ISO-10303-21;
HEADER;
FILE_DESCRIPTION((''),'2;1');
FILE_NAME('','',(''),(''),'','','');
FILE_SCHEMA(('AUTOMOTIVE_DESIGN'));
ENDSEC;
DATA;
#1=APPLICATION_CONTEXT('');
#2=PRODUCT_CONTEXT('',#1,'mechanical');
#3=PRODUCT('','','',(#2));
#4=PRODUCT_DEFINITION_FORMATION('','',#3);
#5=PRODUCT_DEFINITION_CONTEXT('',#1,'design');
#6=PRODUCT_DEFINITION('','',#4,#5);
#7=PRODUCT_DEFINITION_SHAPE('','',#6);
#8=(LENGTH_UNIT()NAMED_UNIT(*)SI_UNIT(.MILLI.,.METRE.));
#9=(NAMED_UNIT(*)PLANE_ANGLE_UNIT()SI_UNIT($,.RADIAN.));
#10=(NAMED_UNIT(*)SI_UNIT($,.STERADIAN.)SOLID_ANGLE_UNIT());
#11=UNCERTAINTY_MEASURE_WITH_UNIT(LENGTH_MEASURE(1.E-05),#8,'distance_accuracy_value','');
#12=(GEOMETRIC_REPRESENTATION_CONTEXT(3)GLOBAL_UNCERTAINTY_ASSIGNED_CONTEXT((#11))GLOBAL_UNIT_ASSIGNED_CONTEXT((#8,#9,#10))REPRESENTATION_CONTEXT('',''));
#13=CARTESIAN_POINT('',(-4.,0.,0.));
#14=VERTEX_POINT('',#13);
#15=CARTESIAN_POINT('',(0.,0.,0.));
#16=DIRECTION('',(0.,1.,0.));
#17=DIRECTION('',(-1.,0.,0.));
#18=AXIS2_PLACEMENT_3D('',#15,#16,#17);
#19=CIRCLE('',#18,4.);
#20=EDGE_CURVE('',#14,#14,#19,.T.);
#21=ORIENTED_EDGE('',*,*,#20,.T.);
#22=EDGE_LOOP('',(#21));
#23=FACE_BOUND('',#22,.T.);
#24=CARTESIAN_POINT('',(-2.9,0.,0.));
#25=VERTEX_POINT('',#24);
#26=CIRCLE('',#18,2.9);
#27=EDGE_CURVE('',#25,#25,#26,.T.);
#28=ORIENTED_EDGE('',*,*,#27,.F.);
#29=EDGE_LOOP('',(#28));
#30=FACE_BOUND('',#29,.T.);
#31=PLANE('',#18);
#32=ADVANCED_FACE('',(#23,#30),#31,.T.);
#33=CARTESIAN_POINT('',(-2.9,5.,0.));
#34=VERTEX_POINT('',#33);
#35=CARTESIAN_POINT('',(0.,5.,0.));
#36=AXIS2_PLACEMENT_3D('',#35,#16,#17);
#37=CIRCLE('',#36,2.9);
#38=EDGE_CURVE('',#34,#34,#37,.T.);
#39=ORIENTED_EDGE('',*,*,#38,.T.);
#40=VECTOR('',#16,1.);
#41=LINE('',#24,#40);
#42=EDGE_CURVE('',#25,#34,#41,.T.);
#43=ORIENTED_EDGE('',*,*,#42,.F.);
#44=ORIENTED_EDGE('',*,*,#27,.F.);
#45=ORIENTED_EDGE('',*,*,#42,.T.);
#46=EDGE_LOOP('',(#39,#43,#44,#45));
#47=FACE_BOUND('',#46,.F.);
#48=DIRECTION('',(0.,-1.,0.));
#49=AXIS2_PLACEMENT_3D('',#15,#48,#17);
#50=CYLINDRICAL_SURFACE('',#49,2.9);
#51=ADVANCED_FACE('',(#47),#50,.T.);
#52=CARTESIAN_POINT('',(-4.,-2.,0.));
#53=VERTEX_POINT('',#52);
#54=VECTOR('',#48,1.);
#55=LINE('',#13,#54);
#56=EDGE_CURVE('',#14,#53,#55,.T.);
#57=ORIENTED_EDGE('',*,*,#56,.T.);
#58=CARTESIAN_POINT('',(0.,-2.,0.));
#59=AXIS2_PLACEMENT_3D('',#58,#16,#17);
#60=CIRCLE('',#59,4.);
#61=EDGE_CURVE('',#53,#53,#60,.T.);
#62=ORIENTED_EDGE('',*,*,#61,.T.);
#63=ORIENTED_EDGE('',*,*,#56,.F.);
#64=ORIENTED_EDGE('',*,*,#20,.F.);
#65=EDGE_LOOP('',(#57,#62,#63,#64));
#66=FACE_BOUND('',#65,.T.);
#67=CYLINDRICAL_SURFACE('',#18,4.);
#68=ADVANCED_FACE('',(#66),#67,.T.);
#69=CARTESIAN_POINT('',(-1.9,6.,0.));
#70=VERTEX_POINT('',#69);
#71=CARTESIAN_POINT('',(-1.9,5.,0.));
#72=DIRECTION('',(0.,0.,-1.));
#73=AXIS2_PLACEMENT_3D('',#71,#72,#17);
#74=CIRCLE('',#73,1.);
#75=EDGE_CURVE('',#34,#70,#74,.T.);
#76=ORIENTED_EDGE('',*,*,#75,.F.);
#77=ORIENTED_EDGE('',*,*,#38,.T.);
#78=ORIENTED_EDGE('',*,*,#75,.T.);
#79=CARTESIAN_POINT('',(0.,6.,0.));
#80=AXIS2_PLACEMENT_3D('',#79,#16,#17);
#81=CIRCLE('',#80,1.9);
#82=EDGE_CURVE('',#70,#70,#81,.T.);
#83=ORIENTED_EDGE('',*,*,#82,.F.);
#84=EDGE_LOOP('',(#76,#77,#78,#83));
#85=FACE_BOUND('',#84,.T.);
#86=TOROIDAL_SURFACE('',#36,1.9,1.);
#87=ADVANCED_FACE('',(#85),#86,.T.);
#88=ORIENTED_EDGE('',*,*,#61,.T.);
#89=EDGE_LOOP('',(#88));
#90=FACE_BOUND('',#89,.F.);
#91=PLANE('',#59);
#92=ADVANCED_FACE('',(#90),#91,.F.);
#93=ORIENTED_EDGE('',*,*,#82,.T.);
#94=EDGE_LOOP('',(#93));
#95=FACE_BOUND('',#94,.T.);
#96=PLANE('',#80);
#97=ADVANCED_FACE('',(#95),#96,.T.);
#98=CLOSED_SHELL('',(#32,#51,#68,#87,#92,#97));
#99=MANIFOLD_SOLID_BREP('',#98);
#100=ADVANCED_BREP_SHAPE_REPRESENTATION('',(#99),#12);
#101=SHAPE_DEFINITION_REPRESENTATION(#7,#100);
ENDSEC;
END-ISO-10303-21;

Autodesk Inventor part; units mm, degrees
ref_plane "YZ Plane" through (0, 0, 0) normal (1, 0, 0) x (0, 1, 0)
ref_plane "XZ Plane" through (0, 0, 0) normal (0, 1, 0) x (-1, 0, 0)
ref_plane "XY Plane" through (0, 0, 0) normal (0, 0, 1) x (1, 0, 0)
sketch "Sketch1" plane through (0, 0, 0) normal (0, 1, 0) x (-1, 0, 0)
  circle A0 centre (0, 0) radius 4
  circle A1 centre (0, 0) radius 2.9
  dimension "d0" = 8
  dimension "d1" = 5.8
extrude "Extrusion1" add sketch "Sketch1" against normal blind 2 contours A0 | A1
extrude "Extrusion2" add sketch "Sketch1" along normal blind 6 contours A1
fillet "Fillet1" radius 1 1 edges at (2.9, 6, 0)
properties part number "Button_3DPrint"
